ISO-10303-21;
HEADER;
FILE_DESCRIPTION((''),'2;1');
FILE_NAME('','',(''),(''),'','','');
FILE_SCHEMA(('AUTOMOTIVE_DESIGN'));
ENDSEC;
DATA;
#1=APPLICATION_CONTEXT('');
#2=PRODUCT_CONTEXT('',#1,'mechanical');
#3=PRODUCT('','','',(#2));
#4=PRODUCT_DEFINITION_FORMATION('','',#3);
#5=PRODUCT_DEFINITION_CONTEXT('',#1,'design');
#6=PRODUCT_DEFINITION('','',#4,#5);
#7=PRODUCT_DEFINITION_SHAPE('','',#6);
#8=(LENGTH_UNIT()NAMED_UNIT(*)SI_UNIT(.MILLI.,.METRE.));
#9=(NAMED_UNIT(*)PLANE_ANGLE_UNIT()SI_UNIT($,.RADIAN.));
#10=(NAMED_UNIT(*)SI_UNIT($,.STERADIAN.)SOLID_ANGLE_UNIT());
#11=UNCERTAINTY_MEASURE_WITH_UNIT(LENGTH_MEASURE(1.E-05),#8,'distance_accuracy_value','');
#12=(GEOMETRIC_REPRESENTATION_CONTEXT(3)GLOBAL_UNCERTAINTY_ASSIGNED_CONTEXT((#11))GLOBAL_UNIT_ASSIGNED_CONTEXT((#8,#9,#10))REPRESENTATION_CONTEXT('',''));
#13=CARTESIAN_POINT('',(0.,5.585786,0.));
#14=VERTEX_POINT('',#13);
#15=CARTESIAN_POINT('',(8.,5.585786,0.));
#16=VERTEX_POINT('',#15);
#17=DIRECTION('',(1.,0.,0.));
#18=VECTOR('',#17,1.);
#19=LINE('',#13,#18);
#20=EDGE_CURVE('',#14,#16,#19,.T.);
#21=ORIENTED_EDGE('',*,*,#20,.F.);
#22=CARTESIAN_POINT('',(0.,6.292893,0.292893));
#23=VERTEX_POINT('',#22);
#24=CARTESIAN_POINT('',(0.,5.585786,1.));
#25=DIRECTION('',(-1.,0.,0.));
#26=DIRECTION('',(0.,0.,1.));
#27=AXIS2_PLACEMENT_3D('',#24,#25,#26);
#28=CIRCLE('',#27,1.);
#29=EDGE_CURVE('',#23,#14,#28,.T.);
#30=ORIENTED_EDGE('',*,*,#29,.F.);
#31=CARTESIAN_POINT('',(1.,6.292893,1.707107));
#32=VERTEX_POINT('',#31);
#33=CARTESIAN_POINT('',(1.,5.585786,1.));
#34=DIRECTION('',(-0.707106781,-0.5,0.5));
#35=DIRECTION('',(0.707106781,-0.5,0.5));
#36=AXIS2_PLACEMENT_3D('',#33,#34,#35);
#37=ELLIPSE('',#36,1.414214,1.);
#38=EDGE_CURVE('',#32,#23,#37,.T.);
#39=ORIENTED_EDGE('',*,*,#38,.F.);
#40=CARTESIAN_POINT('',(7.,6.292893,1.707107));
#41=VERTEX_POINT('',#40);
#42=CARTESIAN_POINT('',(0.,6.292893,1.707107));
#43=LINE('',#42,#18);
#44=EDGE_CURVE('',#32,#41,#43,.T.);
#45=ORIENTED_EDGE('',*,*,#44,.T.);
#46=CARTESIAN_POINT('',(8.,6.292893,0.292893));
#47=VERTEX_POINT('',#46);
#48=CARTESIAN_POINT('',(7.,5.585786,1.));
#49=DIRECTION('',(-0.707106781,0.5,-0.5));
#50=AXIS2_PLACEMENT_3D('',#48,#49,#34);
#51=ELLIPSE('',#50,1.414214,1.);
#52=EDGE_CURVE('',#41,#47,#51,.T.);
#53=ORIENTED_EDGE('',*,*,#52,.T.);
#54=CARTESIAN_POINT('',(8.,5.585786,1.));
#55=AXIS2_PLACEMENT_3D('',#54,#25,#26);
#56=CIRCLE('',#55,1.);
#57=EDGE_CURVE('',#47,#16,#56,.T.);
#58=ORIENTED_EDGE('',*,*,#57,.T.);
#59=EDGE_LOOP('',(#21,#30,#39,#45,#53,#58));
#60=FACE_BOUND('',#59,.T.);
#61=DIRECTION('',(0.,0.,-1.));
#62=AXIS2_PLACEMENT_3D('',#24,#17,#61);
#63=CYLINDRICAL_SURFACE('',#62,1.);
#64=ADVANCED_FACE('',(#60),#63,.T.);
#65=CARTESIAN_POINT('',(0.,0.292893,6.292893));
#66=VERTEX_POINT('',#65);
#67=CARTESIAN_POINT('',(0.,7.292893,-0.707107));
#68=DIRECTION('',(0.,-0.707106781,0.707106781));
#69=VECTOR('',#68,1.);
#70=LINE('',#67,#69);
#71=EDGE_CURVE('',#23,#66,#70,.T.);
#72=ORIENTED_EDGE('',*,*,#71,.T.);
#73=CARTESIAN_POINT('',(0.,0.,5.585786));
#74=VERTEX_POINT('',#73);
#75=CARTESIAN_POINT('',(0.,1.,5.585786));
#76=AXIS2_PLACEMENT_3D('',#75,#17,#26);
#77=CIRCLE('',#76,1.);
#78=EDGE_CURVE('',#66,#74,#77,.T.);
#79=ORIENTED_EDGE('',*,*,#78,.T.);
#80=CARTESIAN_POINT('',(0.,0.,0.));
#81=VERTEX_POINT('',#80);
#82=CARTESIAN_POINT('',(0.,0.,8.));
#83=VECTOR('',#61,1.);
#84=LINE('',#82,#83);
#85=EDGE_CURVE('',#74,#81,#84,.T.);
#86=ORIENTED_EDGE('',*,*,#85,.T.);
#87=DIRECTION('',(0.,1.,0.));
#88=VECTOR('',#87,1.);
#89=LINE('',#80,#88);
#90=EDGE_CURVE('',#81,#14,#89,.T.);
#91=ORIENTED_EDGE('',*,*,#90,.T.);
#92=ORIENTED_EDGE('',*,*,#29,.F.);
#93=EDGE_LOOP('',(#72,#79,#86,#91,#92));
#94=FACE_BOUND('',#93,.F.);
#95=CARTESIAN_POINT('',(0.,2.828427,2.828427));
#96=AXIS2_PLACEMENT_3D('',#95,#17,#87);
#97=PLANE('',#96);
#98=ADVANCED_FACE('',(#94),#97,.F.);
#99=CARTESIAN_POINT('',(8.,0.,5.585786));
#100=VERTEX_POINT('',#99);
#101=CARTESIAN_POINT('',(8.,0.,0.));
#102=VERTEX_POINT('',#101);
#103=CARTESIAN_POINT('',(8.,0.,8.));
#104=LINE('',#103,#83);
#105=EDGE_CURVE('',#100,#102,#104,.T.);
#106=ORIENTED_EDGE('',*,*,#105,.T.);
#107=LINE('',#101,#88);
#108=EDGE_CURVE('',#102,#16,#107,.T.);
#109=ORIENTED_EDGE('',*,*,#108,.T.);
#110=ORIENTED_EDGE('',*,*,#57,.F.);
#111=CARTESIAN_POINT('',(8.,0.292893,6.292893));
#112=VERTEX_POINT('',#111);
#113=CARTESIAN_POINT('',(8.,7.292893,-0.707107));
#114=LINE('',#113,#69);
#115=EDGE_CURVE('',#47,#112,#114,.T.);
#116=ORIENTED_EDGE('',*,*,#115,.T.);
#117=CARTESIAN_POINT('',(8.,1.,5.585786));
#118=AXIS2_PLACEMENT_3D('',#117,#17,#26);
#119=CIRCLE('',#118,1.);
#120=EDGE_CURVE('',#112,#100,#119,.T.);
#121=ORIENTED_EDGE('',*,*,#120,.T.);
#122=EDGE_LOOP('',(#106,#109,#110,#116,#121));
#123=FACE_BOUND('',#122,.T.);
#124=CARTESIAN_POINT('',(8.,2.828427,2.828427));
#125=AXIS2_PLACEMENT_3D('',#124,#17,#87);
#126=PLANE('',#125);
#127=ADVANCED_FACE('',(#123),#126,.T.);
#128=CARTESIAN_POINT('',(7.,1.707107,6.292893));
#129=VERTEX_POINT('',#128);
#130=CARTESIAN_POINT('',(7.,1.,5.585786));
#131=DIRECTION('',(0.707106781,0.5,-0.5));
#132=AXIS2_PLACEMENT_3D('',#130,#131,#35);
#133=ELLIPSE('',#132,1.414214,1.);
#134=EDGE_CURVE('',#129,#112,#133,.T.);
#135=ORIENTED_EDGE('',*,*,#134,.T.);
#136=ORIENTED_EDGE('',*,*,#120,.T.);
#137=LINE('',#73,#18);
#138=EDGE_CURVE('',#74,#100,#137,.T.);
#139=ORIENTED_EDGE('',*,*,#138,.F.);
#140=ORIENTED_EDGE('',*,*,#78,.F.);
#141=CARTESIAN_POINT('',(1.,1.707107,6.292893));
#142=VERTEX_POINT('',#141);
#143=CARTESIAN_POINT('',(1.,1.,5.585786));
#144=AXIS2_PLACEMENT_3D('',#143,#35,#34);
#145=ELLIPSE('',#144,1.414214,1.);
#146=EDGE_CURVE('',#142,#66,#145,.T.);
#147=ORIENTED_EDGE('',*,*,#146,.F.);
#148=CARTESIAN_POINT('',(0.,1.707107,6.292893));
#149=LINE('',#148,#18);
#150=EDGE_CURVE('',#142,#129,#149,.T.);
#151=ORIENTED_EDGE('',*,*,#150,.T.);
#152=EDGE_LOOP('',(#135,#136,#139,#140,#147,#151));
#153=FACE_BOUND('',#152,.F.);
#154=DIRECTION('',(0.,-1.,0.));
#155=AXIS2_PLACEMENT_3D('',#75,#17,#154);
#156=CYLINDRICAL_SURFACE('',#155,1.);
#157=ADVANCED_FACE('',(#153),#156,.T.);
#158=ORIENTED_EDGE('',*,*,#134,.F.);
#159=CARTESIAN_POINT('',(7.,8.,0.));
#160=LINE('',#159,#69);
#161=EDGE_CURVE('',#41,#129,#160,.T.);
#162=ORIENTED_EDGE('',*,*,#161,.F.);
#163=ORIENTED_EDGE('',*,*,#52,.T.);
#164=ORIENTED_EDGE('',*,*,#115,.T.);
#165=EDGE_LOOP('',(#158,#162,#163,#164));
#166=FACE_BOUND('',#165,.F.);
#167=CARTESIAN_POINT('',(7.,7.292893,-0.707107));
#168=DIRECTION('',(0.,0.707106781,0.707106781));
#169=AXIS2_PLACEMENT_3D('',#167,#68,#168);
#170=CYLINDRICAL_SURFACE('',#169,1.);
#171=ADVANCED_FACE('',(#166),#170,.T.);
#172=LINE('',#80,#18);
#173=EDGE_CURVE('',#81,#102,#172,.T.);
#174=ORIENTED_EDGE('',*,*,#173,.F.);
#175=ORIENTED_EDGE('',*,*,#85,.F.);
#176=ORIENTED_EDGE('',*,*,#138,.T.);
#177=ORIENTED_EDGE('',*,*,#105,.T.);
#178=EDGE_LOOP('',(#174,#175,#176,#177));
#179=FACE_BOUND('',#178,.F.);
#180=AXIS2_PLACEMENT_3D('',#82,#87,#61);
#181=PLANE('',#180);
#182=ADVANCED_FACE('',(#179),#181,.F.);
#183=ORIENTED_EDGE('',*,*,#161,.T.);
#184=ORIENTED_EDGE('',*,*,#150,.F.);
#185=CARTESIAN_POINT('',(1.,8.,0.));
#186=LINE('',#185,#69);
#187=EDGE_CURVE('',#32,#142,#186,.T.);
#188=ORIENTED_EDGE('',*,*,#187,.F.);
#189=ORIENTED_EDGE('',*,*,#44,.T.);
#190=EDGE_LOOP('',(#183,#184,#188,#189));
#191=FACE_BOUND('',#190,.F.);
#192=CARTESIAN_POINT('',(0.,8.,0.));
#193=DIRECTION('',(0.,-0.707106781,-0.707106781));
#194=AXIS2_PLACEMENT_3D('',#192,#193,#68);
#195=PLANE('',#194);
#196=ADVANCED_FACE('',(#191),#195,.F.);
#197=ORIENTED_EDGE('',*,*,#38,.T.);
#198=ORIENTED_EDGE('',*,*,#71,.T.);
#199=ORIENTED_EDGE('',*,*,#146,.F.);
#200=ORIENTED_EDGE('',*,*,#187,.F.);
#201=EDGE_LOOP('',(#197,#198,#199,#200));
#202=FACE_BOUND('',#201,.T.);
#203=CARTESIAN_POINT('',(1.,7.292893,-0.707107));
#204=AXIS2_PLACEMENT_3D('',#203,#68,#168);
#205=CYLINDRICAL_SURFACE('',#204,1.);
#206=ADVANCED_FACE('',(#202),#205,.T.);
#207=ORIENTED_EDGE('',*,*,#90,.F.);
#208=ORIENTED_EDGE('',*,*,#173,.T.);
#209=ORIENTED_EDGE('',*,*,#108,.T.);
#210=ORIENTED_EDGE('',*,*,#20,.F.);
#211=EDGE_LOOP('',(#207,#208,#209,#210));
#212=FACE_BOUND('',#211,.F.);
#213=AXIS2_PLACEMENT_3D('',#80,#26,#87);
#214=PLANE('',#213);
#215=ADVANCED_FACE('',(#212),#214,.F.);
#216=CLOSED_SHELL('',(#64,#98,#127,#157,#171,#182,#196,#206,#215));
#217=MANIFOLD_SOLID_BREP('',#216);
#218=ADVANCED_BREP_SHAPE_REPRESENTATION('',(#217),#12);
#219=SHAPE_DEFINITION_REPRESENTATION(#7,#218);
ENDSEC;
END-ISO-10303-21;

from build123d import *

# Parameters (mm, degrees)
F1_DEPTH = 8
F2_R     = 1


with BuildPart() as f1:
    # F0 (on Right) → F1 (new body)
    with BuildSketch(Plane.YZ):
        Polygon((0, 8), (0, 0), (8, 0), align=None)
    extrude(amount=F1_DEPTH)

    # F2
    f2_edges = [f1.edges().sort_by_distance(p)[0] for p in [
        (4, 0, 8),
        (4, 8, 0),
        (0, 4, 4),
        (8, 4, 4),
    ]]
    fillet(f2_edges, radius=F2_R)


solid = f1.part
